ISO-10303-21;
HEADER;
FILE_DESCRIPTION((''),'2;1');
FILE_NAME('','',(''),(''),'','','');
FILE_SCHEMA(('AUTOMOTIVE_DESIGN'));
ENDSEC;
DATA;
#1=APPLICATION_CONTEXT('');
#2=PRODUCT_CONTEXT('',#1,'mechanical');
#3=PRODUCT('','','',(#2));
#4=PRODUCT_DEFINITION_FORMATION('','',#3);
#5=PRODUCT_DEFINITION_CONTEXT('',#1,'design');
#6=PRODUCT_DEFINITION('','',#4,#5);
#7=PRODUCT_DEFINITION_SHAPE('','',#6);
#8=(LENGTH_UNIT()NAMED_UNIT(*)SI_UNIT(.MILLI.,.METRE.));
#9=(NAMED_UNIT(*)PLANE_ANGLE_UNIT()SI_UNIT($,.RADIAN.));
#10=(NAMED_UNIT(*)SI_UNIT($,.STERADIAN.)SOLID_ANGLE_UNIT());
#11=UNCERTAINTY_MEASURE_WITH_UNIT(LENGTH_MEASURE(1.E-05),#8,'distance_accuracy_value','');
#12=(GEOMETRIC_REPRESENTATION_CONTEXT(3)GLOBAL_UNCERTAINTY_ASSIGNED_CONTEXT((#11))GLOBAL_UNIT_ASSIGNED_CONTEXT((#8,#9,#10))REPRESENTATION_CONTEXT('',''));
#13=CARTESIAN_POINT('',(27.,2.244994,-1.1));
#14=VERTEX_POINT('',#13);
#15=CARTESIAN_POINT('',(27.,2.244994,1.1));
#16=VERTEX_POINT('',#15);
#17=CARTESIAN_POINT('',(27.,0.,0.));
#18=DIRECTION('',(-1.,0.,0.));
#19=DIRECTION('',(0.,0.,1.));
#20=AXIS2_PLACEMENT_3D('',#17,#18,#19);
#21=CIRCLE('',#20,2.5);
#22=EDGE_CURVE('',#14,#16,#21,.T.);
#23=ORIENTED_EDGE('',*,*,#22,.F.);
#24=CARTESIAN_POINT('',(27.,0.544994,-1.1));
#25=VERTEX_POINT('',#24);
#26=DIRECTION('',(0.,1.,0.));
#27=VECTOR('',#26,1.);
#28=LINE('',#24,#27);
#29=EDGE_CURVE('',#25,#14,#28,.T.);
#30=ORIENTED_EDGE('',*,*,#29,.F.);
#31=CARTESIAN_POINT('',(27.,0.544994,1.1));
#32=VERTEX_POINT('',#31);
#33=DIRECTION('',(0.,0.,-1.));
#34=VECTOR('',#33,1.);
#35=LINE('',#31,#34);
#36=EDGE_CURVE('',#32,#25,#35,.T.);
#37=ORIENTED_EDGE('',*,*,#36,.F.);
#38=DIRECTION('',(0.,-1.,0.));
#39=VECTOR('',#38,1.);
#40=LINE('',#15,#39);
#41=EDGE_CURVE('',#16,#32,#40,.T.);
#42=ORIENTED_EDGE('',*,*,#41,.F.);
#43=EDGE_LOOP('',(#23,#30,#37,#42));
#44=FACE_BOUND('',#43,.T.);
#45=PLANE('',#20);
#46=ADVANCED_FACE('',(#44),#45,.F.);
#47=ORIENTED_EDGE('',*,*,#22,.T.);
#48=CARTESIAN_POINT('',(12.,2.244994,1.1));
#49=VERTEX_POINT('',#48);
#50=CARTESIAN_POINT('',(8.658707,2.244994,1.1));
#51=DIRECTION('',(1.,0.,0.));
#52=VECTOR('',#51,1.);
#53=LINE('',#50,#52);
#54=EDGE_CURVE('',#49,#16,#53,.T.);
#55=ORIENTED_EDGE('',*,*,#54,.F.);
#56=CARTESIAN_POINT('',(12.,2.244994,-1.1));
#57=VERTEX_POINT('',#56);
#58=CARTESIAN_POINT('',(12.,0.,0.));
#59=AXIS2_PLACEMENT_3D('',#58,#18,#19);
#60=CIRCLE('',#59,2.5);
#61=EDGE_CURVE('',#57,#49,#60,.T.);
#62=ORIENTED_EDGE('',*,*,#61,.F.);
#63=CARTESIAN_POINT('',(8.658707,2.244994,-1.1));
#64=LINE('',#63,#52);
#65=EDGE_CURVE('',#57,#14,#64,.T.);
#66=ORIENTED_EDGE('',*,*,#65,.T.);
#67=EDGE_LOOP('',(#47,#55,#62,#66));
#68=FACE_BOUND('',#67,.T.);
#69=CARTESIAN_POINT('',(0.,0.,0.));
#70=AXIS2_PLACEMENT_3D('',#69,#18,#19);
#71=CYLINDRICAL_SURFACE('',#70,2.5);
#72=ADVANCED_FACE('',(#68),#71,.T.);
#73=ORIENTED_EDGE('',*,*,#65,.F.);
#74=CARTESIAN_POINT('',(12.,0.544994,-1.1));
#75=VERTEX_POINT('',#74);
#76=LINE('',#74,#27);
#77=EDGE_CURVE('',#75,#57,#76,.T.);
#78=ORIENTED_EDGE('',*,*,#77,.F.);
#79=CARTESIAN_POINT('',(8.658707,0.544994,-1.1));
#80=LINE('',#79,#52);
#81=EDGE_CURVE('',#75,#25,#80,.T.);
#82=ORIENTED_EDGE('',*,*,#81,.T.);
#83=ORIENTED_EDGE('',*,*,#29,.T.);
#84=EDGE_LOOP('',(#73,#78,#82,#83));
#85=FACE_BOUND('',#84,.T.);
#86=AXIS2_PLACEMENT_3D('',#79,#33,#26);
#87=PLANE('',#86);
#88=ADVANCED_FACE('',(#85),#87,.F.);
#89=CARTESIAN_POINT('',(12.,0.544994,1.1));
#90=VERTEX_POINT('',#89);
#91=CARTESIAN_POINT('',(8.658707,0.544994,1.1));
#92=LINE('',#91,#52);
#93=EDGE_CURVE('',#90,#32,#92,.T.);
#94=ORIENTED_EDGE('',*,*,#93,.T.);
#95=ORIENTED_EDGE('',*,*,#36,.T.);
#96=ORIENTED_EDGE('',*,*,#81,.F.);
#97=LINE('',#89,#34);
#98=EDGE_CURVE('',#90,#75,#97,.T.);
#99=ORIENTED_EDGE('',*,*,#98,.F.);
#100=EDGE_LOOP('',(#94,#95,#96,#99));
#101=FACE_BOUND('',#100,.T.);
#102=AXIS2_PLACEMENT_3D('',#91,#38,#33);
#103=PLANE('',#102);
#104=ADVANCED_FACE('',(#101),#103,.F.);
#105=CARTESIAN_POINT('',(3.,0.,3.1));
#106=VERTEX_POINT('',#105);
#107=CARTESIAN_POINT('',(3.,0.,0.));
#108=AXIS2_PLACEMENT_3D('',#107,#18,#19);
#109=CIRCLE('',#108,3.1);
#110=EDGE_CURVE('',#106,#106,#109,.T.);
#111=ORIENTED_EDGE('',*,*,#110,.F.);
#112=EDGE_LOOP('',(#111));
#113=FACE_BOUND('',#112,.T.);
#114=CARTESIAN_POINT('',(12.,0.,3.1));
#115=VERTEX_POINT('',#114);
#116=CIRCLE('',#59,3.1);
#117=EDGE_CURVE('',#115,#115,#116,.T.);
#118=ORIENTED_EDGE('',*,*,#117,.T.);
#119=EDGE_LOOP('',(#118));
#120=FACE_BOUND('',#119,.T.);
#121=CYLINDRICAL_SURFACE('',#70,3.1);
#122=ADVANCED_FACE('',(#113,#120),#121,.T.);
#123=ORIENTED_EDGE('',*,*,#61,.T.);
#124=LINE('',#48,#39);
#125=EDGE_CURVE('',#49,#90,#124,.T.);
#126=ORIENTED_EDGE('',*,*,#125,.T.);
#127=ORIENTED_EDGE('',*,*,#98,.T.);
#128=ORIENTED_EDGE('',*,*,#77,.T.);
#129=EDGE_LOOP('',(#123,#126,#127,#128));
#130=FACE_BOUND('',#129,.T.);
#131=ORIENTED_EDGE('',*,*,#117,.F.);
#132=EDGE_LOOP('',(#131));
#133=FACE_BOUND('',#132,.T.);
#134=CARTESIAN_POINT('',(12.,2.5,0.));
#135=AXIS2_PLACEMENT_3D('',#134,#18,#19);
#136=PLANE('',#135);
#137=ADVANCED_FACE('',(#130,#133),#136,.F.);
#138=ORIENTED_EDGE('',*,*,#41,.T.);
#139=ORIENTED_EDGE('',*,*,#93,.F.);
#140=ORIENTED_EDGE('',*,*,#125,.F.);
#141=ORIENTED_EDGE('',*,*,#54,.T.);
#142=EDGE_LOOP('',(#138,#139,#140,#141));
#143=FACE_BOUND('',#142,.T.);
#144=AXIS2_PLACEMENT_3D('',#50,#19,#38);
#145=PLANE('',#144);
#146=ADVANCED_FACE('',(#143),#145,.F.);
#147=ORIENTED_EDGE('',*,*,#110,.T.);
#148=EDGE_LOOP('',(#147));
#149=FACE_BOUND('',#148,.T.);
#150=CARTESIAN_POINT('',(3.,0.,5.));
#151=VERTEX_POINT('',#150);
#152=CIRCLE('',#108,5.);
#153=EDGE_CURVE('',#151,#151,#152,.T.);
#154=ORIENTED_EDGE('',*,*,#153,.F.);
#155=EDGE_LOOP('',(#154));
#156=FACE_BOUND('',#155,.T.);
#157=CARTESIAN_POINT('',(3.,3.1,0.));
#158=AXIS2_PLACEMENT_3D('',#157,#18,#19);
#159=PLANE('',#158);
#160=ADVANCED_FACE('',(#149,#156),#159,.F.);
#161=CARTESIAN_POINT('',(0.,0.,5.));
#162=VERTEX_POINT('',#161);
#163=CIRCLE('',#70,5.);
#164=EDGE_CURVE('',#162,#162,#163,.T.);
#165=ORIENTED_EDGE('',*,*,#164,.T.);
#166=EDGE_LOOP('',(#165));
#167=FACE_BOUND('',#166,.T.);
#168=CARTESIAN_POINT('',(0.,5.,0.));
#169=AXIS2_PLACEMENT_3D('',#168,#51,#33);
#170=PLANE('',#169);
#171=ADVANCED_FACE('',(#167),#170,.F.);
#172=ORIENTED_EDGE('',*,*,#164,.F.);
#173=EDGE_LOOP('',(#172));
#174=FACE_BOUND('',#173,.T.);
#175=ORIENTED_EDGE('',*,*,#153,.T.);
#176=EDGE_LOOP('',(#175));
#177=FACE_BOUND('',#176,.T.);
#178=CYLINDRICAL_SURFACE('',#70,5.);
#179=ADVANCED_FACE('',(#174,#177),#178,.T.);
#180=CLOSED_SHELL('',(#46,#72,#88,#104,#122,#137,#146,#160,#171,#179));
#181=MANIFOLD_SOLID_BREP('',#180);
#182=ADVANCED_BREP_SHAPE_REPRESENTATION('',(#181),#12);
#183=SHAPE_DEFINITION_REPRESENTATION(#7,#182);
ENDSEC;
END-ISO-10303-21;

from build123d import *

# Parameters (mm, degrees)
CUT_EXTRUDE1_DEPTH = 15


with BuildPart() as part:
    # Sketch1 → Revolve1 (revolve)
    with BuildSketch(Plane.XY, mode=Mode.PRIVATE) as revolve1_sk:
        Polygon((0, 0), (27, 0), (27, 2.5), (12, 2.5), (12, 3.1), (3, 3.1), (3, 5), (0, 5), align=None)
    revolve(revolve1_sk.sketch.rotate(Axis((0, 0, 0), (1, 0, 0)), 90), axis=Axis((0, 0, 0), (1, 0, 0)))

    # Sketch2 → Cut-Extrude1 (cut)
    with BuildSketch(Plane(origin=(27, 0, 0), x_dir=(0, 0, -1), z_dir=(1, 0, 0))):
        Polygon((-1.1, 2.244994432), (-1.1, 0.544994432), (1.1, 0.544994432), (1.1, 2.244994432), (0, 3.059798295), align=None)
    extrude(amount=-CUT_EXTRUDE1_DEPTH, mode=Mode.SUBTRACT)


solid = part.part
